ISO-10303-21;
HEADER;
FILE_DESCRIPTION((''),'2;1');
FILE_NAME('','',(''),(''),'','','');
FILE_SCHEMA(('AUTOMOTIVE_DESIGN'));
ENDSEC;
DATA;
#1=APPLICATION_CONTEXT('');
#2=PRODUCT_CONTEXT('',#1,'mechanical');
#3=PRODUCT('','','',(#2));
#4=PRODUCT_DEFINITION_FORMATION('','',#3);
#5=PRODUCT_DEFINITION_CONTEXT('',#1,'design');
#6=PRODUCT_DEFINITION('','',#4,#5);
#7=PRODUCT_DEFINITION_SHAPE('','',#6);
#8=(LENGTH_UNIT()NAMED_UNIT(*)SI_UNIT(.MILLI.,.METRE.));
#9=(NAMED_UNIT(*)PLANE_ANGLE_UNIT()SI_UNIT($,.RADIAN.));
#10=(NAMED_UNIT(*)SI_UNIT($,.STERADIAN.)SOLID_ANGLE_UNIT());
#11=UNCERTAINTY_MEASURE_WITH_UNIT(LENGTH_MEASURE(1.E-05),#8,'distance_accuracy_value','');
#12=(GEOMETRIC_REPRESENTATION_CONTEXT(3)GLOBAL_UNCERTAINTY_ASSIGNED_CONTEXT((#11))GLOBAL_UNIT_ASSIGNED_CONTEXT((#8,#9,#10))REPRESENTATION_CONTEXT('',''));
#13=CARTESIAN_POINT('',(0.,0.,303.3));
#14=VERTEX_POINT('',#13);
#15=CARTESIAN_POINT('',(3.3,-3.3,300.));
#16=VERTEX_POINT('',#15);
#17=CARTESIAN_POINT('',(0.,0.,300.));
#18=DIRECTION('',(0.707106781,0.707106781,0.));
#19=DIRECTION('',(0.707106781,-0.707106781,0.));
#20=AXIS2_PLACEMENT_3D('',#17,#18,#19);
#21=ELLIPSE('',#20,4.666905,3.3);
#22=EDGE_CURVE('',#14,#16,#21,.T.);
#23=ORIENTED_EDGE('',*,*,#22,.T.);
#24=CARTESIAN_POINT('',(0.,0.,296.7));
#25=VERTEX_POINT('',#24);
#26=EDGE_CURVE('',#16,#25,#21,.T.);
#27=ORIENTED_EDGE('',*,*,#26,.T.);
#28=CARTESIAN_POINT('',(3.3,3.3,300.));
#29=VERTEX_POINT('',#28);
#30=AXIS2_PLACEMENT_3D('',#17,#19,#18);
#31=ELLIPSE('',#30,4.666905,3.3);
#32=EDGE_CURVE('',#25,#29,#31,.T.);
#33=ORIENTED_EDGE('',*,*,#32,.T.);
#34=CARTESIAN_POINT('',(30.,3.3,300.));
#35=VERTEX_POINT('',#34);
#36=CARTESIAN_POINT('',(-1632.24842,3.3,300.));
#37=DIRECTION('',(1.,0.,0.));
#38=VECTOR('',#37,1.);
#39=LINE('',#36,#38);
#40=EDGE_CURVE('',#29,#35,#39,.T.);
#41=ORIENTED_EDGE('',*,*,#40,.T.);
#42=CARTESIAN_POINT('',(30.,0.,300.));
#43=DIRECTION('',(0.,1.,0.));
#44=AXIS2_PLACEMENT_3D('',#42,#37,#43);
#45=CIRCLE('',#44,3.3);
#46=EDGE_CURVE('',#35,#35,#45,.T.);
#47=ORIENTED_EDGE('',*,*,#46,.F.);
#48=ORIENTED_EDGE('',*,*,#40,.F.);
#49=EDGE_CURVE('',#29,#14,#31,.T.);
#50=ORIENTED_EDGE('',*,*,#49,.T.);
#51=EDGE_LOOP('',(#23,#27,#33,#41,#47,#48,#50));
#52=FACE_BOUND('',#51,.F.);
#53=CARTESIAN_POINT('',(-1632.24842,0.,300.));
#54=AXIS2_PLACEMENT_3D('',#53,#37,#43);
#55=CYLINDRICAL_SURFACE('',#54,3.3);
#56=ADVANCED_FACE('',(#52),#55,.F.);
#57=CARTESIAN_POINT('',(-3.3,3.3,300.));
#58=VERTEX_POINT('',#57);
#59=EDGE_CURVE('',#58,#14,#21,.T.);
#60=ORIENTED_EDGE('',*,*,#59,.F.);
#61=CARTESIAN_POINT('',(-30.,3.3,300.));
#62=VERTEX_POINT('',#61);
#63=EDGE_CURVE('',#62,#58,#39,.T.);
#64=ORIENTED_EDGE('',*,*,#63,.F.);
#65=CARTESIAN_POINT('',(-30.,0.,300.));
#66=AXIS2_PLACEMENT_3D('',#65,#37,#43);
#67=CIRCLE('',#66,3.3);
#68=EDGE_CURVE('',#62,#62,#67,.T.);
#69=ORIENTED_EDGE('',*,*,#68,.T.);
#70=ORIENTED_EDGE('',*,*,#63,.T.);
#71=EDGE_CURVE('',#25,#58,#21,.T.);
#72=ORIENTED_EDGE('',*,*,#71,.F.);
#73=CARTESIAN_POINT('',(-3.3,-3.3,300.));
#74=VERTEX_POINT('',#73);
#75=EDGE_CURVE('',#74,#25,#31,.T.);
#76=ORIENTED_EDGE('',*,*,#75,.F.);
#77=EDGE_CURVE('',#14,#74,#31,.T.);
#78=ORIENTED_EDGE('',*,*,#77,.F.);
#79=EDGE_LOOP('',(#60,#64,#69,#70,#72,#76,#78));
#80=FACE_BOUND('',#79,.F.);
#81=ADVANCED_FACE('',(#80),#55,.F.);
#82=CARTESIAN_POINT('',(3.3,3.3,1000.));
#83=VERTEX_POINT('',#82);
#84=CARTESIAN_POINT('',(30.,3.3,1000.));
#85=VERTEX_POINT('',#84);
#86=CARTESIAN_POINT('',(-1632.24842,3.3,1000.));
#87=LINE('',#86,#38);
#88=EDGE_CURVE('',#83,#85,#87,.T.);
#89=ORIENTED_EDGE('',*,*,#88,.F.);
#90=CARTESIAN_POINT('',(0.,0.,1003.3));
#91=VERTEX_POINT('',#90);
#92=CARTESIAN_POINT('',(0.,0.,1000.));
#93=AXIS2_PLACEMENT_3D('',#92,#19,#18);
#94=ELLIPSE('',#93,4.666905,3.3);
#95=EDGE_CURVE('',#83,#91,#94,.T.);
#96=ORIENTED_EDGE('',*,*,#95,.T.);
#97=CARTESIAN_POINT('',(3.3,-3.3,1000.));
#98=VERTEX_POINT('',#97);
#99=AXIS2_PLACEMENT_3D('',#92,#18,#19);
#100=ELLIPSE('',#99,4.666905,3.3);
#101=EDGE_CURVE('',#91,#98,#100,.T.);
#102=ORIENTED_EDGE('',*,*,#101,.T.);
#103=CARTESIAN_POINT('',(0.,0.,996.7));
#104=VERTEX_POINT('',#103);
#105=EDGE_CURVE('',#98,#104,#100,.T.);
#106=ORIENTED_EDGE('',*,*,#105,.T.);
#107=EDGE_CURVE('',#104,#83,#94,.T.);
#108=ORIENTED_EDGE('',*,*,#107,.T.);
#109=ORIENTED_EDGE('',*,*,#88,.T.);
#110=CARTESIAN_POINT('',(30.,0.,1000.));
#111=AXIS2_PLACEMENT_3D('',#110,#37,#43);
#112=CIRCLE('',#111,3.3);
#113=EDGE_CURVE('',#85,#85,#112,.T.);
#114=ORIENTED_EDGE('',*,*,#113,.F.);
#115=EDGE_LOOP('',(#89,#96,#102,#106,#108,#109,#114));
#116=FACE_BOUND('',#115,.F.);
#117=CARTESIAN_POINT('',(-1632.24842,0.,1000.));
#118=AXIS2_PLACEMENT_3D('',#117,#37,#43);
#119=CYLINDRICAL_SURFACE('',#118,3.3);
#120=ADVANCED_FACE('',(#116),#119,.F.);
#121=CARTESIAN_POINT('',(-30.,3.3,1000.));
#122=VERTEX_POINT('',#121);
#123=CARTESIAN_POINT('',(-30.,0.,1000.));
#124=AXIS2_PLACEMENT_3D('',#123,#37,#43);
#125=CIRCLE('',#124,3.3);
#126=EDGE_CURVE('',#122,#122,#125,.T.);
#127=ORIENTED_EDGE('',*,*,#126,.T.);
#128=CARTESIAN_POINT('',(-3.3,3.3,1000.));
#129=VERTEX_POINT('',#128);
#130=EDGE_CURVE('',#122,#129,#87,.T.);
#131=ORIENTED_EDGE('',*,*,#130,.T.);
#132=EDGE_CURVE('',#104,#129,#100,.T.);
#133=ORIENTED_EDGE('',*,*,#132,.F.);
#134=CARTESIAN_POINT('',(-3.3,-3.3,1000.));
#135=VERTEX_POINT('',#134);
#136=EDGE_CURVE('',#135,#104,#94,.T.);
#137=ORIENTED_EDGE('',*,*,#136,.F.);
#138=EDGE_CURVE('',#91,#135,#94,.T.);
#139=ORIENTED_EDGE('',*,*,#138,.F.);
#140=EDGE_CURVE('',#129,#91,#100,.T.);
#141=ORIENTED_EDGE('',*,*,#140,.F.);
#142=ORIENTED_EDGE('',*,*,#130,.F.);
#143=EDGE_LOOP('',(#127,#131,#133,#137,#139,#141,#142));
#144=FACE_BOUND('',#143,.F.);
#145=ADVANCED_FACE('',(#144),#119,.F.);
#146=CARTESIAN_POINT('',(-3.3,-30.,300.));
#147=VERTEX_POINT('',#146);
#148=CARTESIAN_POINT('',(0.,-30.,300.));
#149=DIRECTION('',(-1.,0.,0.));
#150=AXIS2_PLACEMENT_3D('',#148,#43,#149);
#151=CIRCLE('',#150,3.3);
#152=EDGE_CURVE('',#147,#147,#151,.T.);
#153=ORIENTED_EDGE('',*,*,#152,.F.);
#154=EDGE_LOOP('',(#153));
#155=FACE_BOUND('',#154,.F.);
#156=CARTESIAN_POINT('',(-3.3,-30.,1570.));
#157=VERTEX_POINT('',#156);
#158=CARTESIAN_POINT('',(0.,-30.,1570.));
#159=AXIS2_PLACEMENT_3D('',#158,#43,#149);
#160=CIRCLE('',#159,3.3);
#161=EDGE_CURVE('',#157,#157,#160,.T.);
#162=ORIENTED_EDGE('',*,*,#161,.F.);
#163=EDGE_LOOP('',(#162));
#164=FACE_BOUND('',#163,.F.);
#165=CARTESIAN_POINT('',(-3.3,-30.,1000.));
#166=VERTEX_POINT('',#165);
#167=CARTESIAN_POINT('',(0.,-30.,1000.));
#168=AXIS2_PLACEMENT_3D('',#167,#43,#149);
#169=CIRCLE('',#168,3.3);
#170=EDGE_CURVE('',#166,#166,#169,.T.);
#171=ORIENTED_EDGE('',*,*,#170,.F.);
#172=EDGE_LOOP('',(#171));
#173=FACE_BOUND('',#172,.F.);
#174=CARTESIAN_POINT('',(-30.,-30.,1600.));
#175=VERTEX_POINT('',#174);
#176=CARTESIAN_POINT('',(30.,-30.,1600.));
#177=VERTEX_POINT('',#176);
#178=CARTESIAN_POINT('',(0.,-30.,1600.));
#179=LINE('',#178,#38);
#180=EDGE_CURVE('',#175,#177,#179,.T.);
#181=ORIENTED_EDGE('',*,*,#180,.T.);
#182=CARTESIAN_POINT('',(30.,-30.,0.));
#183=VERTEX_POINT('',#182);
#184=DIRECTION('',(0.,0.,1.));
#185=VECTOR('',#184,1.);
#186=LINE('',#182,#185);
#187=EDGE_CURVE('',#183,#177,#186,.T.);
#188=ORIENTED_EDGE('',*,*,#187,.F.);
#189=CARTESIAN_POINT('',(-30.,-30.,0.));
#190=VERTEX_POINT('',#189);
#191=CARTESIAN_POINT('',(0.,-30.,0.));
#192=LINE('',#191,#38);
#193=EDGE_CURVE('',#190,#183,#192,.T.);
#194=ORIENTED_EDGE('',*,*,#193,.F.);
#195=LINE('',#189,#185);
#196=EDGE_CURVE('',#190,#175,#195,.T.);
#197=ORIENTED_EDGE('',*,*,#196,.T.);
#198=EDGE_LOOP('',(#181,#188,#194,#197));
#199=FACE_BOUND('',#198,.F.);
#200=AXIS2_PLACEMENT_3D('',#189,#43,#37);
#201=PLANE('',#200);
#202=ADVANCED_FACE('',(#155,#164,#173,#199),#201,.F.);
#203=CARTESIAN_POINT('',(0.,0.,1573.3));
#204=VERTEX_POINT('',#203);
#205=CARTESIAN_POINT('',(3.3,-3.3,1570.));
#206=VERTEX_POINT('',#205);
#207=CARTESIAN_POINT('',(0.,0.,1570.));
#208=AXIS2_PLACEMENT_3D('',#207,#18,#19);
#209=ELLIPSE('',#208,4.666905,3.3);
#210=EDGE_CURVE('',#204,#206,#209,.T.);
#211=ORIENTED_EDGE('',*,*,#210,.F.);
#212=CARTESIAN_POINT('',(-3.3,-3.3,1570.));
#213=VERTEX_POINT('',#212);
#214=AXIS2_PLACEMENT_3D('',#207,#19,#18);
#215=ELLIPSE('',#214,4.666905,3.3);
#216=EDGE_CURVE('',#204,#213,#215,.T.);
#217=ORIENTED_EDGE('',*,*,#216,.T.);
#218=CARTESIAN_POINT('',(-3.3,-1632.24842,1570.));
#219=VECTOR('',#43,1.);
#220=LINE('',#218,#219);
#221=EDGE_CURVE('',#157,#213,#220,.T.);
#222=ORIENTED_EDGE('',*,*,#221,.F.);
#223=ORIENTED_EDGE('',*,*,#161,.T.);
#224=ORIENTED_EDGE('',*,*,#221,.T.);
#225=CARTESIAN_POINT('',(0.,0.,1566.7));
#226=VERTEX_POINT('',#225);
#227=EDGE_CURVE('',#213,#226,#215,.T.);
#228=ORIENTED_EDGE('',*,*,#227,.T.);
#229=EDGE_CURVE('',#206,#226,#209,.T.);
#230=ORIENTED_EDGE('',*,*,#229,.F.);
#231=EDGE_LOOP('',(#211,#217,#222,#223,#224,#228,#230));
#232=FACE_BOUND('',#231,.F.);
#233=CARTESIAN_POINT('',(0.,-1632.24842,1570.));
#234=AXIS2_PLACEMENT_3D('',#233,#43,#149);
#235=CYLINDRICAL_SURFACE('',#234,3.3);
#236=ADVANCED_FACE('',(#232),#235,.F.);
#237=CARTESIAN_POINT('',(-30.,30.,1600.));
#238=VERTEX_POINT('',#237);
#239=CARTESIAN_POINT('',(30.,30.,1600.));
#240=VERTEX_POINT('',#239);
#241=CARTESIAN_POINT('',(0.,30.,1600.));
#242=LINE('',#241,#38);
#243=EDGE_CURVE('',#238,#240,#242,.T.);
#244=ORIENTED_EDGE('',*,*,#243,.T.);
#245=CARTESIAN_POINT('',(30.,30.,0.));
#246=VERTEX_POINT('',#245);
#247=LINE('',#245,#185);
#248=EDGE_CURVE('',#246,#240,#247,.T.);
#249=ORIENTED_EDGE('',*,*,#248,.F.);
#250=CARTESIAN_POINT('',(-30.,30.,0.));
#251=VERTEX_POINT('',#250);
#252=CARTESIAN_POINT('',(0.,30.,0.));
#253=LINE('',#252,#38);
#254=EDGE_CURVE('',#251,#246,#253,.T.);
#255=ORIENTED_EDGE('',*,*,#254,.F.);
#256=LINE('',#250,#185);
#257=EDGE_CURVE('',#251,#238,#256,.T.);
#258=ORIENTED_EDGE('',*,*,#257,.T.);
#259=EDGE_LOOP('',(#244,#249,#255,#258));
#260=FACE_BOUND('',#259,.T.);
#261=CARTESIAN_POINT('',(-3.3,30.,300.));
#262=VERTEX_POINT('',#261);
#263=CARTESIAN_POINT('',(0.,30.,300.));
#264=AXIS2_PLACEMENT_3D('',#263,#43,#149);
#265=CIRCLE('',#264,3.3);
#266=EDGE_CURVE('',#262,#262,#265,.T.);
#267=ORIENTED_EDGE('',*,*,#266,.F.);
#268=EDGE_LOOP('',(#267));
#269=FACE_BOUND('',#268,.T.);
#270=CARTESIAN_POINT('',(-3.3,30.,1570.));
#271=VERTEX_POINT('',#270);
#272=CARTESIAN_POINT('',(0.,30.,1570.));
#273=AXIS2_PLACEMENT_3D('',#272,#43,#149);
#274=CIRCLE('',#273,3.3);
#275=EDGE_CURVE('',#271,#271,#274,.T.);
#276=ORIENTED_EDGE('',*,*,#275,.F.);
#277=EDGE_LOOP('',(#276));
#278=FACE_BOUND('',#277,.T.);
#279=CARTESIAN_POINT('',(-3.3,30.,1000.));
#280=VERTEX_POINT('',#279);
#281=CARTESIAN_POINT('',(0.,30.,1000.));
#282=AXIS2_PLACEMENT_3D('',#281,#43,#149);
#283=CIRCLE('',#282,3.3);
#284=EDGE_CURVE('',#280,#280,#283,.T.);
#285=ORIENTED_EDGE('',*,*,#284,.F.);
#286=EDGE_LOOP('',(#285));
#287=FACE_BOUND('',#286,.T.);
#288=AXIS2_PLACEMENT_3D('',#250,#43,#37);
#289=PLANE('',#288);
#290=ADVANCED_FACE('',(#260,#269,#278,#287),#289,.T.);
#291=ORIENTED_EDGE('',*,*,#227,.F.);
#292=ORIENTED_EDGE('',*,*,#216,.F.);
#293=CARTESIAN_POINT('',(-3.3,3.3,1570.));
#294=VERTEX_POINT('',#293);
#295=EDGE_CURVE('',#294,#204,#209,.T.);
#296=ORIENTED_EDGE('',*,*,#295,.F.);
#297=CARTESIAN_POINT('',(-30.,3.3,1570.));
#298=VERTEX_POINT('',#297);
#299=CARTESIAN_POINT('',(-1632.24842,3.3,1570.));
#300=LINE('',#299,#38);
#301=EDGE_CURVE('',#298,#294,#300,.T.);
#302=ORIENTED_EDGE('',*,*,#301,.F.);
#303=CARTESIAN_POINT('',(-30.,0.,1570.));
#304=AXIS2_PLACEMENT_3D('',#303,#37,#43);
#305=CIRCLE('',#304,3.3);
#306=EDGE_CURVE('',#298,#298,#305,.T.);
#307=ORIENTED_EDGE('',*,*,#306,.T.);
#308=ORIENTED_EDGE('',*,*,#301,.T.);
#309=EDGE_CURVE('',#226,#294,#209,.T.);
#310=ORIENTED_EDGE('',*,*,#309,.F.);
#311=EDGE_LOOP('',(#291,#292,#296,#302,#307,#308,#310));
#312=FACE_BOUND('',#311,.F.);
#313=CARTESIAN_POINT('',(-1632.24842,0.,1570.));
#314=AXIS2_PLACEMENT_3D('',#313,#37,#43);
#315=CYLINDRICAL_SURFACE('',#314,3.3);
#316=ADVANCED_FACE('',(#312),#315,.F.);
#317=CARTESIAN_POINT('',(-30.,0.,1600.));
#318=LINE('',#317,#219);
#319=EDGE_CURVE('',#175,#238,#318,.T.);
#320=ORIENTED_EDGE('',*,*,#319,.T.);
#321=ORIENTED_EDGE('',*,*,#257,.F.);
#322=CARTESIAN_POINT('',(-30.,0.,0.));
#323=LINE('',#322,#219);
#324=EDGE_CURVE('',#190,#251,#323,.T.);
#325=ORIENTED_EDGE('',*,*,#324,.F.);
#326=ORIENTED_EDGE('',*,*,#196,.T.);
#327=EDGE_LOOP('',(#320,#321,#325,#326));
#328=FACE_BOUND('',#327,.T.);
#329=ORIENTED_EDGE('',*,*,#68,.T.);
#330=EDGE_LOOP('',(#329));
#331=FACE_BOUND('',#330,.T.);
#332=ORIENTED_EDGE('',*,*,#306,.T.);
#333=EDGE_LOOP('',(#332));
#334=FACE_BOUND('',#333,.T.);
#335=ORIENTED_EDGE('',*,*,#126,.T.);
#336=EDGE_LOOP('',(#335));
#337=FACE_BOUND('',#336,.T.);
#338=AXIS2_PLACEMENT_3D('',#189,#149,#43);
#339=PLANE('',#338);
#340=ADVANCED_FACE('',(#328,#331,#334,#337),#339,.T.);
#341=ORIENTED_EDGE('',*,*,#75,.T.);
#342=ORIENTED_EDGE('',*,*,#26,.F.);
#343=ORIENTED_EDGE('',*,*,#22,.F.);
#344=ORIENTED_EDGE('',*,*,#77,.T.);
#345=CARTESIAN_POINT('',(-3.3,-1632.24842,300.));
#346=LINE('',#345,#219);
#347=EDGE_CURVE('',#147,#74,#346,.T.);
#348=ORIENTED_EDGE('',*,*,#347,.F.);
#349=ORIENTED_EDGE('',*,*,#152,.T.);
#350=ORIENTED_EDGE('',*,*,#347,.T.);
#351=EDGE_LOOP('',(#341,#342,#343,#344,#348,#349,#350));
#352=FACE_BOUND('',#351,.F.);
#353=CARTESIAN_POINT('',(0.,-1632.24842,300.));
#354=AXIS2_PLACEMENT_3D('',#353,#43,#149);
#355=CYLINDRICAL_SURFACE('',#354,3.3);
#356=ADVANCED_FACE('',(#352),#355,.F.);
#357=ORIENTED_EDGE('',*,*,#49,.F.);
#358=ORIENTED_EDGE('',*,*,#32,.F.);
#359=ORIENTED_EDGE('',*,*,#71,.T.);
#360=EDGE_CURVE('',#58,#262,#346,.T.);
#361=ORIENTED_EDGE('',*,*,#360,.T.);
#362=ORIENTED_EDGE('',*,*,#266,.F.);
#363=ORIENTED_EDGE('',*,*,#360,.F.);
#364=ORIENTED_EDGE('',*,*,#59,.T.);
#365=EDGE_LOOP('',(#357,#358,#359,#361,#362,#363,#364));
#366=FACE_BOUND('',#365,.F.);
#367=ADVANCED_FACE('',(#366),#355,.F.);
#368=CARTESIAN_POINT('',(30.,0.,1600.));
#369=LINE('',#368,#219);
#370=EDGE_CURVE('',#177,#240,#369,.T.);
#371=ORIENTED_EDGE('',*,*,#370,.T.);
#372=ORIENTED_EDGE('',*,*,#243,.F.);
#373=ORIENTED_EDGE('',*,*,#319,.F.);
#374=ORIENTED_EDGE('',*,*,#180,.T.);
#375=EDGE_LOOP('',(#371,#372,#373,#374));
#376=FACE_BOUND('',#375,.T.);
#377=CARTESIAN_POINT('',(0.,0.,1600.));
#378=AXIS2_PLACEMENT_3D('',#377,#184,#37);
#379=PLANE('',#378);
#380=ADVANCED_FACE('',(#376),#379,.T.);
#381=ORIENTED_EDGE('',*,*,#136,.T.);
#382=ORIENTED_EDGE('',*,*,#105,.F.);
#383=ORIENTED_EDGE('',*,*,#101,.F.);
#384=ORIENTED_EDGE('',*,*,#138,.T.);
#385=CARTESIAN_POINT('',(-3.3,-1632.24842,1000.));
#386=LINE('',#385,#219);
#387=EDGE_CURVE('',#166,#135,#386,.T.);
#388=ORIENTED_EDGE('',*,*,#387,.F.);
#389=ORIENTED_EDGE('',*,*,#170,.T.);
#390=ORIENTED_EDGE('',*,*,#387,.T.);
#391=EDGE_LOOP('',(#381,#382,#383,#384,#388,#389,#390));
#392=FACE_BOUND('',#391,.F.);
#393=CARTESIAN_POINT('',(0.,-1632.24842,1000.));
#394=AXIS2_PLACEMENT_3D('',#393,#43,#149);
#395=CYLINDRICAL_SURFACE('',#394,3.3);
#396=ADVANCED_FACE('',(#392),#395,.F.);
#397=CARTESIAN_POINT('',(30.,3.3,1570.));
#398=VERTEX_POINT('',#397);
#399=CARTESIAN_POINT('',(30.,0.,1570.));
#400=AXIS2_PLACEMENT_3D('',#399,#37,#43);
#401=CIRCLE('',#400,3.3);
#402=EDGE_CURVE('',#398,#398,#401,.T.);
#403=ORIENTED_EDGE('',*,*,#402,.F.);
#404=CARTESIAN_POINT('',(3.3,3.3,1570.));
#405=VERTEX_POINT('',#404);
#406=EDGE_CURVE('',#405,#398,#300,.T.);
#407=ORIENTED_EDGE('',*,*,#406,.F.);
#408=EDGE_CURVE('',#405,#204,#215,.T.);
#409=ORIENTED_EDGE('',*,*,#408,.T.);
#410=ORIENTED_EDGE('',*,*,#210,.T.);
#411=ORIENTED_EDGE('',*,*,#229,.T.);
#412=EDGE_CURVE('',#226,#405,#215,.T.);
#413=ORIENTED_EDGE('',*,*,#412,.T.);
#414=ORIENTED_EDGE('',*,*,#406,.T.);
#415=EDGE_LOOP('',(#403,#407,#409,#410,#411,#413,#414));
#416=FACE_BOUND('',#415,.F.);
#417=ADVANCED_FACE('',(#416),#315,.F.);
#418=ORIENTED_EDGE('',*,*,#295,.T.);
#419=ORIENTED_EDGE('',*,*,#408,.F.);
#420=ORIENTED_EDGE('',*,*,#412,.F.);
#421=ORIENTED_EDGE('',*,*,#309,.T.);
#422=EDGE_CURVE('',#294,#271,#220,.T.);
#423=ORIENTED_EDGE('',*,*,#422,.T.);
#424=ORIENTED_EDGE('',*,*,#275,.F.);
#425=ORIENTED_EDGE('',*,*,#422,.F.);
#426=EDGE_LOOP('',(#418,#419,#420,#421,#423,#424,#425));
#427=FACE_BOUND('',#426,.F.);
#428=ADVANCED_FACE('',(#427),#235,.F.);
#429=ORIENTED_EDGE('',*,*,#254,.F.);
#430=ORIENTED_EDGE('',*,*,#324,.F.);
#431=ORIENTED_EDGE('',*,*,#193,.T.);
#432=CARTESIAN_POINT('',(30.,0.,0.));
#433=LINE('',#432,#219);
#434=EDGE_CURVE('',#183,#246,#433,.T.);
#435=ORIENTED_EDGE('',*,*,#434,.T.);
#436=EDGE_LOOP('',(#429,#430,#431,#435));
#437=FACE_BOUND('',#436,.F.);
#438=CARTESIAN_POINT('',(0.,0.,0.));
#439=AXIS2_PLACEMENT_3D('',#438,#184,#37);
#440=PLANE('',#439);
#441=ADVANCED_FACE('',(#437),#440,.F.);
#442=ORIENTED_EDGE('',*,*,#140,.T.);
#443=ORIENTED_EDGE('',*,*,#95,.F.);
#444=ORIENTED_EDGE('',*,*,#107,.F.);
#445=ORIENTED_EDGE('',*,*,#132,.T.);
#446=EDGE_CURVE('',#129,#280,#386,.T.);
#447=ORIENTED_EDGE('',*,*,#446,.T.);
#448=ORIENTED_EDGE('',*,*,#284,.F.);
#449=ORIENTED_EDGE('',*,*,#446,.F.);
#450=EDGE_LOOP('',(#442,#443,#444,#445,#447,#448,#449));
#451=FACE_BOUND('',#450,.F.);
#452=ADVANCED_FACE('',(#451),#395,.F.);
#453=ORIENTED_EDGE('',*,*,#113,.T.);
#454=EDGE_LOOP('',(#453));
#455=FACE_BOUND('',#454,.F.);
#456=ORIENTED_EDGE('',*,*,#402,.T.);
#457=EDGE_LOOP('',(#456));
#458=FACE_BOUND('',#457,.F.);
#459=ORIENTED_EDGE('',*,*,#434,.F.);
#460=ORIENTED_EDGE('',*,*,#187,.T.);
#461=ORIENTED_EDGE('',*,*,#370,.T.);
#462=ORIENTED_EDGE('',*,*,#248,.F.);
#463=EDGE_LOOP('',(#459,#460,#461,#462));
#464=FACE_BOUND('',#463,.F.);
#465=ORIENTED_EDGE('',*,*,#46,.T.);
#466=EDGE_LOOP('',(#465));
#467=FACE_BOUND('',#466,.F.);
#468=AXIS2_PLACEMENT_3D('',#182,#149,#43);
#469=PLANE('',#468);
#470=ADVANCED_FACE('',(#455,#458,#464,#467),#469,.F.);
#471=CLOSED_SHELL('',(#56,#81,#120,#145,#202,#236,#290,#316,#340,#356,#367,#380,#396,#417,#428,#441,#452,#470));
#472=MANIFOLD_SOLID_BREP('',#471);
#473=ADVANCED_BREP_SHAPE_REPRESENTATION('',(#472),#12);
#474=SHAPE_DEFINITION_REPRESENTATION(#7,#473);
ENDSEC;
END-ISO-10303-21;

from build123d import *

# Parameters (mm, degrees)
F0_W     = 60
F0_H     = 60
F1_DEPTH = 1600
F3_D     = 6.6
F5_D     = 6.6


with BuildPart() as f1:
    # F0 (on Top) → F1 (new body)
    with BuildSketch(Plane.XY):
        Rectangle(F0_W, F0_H)
    extrude(amount=F1_DEPTH)

    # F3 (through all)
    with Locations(Plane(origin=(-30, 0, 0), x_dir=(0, -1, 0), z_dir=(-1, 0, 0))):
        with Locations((0, 1570), (0, 300), (0, 1000)):
            Hole(F3_D / 2)

    # F5 (through all)
    with Locations(Plane.XZ.offset(30)):
        with Locations((0, 1570), (0, 300), (0, 1000)):
            Hole(F5_D / 2)


solid = f1.part
